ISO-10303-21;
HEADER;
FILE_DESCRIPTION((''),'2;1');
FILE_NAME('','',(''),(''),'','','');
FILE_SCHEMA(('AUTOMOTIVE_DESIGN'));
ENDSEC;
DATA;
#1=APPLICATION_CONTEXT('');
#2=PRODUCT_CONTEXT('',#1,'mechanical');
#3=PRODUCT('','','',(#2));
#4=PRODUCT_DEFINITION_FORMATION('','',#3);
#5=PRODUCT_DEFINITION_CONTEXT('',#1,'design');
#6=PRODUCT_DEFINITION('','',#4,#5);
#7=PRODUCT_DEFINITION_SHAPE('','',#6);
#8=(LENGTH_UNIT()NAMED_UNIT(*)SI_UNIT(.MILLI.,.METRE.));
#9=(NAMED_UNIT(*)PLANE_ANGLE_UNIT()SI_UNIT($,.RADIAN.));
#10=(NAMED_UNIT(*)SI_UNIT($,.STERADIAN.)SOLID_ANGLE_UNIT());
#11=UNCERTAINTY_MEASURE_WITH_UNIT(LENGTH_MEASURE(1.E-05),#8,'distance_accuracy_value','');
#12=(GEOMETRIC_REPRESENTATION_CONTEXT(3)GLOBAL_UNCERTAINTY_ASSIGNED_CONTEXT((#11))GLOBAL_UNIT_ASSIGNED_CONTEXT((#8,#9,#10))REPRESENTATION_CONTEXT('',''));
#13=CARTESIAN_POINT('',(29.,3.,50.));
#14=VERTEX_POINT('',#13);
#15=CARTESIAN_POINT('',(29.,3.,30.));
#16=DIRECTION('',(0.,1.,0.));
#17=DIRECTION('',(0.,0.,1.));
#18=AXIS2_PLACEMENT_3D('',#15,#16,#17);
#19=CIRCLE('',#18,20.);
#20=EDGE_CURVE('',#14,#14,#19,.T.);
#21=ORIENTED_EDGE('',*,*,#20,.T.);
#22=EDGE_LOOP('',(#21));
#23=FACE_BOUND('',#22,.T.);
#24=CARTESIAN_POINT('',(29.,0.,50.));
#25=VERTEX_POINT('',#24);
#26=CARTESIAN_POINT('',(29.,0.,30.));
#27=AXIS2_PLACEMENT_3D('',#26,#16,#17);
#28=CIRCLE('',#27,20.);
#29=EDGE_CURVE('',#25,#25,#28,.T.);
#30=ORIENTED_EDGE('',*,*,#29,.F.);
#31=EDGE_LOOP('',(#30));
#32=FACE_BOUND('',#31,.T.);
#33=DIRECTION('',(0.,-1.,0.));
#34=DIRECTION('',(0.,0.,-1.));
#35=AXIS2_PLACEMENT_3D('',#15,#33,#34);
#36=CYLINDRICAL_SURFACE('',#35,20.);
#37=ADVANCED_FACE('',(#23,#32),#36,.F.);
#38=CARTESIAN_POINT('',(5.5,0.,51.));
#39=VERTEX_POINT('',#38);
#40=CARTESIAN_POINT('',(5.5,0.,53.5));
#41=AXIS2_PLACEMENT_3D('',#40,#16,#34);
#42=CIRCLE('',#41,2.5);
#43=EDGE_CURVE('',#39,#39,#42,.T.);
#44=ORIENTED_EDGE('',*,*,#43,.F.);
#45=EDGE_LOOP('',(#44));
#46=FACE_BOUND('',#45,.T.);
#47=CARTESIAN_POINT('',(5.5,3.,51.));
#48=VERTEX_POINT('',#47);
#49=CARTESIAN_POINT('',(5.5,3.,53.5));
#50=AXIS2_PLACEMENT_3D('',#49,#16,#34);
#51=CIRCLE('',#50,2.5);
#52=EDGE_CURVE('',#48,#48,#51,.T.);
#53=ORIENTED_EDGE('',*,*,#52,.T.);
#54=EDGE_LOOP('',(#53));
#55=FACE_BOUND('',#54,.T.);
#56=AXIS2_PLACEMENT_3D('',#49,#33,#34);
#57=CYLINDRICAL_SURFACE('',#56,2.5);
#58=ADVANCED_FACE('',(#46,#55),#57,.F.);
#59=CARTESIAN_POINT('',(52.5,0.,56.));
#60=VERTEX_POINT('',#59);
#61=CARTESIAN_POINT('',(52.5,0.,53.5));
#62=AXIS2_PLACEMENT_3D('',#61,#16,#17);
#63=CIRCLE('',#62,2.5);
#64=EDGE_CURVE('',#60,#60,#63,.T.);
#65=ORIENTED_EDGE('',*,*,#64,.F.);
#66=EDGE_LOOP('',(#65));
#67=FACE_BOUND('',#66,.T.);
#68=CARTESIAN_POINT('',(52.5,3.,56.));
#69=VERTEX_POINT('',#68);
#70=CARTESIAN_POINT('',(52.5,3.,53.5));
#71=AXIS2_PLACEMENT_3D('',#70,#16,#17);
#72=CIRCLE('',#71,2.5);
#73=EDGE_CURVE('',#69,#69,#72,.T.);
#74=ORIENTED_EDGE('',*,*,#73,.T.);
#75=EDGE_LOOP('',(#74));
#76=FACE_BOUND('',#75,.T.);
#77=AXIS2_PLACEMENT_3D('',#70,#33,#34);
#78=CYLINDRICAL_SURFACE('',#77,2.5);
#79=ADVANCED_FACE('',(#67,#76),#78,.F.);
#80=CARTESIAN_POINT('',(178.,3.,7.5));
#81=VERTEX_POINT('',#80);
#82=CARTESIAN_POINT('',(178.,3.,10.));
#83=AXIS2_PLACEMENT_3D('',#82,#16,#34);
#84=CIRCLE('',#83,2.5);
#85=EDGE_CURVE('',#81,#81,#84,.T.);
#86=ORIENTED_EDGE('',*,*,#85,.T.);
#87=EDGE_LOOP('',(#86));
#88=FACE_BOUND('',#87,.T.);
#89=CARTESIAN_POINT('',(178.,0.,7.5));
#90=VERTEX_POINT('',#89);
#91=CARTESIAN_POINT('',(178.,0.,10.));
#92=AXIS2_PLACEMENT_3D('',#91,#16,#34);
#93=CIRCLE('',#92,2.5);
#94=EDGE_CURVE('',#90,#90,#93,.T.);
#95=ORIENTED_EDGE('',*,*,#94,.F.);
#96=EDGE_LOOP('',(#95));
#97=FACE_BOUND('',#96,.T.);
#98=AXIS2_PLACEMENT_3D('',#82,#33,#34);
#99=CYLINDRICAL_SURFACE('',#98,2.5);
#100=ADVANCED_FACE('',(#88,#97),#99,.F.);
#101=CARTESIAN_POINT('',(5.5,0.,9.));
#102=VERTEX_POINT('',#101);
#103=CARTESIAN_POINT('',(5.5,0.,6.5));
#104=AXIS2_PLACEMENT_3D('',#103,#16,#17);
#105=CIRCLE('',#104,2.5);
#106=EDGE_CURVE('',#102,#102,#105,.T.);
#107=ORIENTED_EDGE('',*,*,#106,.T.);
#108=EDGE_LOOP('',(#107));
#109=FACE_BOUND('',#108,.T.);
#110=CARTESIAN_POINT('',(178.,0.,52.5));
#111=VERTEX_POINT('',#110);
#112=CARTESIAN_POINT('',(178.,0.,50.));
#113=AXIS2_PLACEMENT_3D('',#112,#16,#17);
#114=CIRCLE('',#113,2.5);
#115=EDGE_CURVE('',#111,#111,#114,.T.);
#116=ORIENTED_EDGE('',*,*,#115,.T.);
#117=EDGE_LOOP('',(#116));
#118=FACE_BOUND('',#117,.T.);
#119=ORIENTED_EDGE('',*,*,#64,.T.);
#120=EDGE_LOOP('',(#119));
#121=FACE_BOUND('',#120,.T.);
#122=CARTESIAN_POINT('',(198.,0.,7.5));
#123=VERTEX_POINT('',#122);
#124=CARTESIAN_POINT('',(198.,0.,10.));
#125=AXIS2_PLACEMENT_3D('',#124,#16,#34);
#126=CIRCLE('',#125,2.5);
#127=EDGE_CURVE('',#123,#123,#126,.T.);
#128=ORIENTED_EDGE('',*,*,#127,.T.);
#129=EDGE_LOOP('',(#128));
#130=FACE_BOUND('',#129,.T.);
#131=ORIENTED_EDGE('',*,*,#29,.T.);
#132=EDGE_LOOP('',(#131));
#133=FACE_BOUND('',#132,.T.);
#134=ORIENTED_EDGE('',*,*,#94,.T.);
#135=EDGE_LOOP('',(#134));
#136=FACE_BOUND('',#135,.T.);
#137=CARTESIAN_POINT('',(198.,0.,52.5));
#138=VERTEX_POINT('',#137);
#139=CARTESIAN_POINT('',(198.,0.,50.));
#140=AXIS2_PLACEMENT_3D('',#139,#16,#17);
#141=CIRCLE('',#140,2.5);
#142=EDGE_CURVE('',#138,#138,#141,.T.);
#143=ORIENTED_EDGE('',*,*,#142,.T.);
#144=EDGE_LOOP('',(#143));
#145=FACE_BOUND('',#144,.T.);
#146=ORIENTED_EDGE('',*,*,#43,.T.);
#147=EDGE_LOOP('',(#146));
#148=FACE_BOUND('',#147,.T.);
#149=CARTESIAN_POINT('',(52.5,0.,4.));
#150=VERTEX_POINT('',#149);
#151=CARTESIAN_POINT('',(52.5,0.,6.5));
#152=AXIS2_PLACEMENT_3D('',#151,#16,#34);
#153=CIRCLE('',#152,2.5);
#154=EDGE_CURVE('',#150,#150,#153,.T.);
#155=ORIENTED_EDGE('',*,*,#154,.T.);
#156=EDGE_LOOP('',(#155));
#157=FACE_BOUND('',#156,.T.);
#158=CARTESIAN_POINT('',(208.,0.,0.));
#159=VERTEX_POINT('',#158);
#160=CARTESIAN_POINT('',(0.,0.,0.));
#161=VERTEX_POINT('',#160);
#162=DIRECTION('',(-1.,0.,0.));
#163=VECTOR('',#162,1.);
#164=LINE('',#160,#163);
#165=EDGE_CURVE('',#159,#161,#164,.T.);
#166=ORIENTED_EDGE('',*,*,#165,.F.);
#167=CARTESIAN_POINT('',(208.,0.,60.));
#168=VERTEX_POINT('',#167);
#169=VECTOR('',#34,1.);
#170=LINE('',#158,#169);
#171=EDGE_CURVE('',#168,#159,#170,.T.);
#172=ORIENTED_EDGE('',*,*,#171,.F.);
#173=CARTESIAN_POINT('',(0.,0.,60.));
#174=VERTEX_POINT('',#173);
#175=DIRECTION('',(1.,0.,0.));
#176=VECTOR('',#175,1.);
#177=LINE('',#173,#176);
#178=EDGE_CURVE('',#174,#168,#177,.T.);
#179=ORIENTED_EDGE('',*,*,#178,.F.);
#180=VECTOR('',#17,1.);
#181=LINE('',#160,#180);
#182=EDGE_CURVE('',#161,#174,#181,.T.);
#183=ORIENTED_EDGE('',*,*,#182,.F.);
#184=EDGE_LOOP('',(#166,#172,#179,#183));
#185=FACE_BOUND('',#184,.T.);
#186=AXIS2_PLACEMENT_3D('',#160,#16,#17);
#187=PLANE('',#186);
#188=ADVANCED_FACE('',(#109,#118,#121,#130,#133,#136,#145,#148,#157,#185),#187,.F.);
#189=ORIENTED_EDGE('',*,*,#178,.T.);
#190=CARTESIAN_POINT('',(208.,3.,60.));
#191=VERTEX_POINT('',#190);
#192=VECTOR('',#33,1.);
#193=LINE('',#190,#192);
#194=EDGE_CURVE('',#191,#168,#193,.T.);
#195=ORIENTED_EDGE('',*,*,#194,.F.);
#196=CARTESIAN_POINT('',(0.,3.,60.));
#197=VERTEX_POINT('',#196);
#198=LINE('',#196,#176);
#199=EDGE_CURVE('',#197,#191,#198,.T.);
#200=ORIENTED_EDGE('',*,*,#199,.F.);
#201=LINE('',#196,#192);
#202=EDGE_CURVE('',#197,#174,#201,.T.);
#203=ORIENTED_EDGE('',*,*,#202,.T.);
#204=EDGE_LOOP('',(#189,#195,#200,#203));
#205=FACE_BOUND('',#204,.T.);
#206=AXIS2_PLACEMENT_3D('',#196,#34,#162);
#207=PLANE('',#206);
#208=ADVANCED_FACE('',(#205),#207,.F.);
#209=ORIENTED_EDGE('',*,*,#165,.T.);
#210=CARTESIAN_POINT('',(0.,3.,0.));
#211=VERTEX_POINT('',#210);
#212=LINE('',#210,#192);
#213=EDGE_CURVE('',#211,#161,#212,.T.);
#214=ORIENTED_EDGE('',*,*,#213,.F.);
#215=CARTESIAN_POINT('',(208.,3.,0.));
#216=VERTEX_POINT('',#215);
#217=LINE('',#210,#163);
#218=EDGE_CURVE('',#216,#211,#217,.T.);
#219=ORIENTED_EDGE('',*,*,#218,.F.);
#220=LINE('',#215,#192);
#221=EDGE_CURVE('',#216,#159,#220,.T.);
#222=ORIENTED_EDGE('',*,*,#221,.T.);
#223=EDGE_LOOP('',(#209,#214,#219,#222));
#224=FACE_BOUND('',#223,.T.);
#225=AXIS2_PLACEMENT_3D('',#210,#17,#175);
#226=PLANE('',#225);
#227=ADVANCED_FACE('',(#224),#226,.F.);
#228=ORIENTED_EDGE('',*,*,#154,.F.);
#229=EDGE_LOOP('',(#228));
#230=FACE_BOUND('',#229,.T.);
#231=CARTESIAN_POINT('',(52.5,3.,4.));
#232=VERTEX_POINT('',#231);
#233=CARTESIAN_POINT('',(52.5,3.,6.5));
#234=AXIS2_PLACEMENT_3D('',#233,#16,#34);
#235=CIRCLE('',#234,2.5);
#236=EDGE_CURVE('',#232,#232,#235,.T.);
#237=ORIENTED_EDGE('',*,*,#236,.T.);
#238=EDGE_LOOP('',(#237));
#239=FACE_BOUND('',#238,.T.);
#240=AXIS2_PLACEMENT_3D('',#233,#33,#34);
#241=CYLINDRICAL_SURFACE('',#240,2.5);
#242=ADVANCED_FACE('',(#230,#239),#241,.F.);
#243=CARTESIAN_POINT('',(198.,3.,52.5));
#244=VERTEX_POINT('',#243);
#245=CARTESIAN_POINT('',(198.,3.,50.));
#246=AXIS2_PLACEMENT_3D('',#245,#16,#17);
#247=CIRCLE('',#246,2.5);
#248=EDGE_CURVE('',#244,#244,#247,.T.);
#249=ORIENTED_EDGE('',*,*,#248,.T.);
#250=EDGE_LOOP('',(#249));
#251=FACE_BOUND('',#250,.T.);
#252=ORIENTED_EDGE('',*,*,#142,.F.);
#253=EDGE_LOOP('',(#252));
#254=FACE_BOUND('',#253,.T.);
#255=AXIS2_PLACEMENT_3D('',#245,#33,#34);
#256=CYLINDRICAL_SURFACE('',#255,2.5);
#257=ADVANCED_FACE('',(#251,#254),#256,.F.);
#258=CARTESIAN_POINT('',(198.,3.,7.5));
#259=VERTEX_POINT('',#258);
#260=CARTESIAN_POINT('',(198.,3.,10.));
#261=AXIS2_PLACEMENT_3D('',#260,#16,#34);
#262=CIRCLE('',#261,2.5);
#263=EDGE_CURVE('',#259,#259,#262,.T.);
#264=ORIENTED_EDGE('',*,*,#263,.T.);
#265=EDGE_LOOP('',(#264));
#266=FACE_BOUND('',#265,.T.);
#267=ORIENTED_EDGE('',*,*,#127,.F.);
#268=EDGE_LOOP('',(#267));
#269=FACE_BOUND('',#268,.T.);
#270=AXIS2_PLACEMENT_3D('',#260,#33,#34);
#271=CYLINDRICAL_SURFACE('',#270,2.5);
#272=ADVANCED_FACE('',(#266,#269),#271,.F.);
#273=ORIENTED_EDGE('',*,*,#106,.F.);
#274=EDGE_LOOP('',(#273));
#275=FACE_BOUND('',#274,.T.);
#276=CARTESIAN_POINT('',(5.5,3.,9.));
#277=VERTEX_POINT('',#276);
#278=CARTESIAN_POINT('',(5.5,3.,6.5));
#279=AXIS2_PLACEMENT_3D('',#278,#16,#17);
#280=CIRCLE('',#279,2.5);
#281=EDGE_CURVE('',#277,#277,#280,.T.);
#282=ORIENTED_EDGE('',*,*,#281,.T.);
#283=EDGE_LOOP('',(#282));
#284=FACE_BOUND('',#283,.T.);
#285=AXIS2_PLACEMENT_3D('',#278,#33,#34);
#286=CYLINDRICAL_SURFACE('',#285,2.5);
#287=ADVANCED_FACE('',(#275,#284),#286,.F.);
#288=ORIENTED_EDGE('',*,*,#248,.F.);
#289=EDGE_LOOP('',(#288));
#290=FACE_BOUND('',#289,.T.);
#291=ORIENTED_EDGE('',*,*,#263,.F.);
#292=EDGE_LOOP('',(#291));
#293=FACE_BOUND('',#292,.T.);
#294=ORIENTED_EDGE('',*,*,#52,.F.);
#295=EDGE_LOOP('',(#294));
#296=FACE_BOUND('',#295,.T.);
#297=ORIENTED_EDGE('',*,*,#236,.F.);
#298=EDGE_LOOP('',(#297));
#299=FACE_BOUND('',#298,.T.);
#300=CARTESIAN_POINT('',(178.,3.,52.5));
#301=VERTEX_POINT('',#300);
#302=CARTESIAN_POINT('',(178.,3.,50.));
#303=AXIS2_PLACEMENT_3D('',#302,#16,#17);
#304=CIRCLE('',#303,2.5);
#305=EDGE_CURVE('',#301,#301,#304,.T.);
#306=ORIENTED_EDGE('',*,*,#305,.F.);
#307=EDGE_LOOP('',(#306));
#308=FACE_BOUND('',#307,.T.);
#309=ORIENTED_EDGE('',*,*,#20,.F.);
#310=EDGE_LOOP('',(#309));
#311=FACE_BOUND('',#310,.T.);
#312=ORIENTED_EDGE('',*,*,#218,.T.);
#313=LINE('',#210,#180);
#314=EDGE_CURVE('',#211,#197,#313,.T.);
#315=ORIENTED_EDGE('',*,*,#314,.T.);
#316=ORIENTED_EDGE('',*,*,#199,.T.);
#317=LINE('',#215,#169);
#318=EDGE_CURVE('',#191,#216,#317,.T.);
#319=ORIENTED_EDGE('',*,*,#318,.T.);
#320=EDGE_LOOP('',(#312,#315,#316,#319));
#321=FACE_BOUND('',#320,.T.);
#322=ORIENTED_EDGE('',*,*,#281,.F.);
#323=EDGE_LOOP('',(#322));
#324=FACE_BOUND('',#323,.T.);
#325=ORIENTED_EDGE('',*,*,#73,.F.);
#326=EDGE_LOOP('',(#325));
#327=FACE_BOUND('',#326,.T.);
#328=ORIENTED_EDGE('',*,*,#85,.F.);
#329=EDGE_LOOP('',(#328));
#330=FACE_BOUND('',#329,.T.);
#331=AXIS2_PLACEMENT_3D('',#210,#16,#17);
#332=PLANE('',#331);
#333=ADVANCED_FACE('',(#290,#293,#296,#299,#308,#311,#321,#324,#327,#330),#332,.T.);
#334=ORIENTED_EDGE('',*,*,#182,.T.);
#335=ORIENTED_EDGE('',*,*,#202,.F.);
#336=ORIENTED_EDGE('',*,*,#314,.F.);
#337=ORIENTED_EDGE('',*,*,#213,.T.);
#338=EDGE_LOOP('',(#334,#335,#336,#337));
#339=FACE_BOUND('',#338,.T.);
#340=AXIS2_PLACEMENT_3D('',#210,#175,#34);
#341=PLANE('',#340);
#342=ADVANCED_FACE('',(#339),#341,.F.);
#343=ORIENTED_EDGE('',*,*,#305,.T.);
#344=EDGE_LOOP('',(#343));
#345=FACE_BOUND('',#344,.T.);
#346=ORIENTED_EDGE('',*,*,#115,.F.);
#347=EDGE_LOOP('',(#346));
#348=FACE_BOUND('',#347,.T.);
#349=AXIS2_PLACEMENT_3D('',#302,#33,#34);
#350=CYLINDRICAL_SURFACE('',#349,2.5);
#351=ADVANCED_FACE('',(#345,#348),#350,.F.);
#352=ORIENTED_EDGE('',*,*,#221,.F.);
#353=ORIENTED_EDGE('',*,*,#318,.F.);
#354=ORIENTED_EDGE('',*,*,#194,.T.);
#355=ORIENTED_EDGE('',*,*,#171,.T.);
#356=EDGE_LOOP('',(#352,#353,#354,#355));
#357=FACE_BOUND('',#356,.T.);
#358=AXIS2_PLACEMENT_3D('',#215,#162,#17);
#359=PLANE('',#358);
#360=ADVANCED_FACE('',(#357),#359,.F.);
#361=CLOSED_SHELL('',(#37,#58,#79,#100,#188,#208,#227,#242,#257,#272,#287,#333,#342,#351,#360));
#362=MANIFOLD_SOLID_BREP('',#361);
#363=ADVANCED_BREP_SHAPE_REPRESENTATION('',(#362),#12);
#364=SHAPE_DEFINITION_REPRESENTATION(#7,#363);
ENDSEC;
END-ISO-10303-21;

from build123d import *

# Parameters (mm, degrees)
SKETCH1_W           = 208
SKETCH1_H           = 60
SKETCH1_R           = 2.5
SKETCH1_R_2         = 20
BOSS_EXTRUDE1_DEPTH = 3


with BuildPart() as part:
    # Sketch1 → Boss-Extrude1 (new body)
    with BuildSketch(Plane(origin=(0, 0, 0), x_dir=(1, 0, 0), z_dir=(0, 1, 0))):
        with Locations((104, -30)):
            Rectangle(SKETCH1_W, SKETCH1_H)
        with Locations((5.5, -6.5)):
            Circle(SKETCH1_R, mode=Mode.SUBTRACT)
        with Locations((52.5, -6.5)):
            Circle(SKETCH1_R, mode=Mode.SUBTRACT)
        with Locations((52.5, -53.5)):
            Circle(SKETCH1_R, mode=Mode.SUBTRACT)
        with Locations((5.5, -53.5)):
            Circle(SKETCH1_R, mode=Mode.SUBTRACT)
        with Locations((29, -30)):
            Circle(SKETCH1_R_2, mode=Mode.SUBTRACT)
        with Locations((178, -50)):
            Circle(SKETCH1_R, mode=Mode.SUBTRACT)
        with Locations((198, -50)):
            Circle(SKETCH1_R, mode=Mode.SUBTRACT)
        with Locations((178, -10)):
            Circle(SKETCH1_R, mode=Mode.SUBTRACT)
        with Locations((198, -10)):
            Circle(SKETCH1_R, mode=Mode.SUBTRACT)
    extrude(amount=BOSS_EXTRUDE1_DEPTH)


solid = part.part
